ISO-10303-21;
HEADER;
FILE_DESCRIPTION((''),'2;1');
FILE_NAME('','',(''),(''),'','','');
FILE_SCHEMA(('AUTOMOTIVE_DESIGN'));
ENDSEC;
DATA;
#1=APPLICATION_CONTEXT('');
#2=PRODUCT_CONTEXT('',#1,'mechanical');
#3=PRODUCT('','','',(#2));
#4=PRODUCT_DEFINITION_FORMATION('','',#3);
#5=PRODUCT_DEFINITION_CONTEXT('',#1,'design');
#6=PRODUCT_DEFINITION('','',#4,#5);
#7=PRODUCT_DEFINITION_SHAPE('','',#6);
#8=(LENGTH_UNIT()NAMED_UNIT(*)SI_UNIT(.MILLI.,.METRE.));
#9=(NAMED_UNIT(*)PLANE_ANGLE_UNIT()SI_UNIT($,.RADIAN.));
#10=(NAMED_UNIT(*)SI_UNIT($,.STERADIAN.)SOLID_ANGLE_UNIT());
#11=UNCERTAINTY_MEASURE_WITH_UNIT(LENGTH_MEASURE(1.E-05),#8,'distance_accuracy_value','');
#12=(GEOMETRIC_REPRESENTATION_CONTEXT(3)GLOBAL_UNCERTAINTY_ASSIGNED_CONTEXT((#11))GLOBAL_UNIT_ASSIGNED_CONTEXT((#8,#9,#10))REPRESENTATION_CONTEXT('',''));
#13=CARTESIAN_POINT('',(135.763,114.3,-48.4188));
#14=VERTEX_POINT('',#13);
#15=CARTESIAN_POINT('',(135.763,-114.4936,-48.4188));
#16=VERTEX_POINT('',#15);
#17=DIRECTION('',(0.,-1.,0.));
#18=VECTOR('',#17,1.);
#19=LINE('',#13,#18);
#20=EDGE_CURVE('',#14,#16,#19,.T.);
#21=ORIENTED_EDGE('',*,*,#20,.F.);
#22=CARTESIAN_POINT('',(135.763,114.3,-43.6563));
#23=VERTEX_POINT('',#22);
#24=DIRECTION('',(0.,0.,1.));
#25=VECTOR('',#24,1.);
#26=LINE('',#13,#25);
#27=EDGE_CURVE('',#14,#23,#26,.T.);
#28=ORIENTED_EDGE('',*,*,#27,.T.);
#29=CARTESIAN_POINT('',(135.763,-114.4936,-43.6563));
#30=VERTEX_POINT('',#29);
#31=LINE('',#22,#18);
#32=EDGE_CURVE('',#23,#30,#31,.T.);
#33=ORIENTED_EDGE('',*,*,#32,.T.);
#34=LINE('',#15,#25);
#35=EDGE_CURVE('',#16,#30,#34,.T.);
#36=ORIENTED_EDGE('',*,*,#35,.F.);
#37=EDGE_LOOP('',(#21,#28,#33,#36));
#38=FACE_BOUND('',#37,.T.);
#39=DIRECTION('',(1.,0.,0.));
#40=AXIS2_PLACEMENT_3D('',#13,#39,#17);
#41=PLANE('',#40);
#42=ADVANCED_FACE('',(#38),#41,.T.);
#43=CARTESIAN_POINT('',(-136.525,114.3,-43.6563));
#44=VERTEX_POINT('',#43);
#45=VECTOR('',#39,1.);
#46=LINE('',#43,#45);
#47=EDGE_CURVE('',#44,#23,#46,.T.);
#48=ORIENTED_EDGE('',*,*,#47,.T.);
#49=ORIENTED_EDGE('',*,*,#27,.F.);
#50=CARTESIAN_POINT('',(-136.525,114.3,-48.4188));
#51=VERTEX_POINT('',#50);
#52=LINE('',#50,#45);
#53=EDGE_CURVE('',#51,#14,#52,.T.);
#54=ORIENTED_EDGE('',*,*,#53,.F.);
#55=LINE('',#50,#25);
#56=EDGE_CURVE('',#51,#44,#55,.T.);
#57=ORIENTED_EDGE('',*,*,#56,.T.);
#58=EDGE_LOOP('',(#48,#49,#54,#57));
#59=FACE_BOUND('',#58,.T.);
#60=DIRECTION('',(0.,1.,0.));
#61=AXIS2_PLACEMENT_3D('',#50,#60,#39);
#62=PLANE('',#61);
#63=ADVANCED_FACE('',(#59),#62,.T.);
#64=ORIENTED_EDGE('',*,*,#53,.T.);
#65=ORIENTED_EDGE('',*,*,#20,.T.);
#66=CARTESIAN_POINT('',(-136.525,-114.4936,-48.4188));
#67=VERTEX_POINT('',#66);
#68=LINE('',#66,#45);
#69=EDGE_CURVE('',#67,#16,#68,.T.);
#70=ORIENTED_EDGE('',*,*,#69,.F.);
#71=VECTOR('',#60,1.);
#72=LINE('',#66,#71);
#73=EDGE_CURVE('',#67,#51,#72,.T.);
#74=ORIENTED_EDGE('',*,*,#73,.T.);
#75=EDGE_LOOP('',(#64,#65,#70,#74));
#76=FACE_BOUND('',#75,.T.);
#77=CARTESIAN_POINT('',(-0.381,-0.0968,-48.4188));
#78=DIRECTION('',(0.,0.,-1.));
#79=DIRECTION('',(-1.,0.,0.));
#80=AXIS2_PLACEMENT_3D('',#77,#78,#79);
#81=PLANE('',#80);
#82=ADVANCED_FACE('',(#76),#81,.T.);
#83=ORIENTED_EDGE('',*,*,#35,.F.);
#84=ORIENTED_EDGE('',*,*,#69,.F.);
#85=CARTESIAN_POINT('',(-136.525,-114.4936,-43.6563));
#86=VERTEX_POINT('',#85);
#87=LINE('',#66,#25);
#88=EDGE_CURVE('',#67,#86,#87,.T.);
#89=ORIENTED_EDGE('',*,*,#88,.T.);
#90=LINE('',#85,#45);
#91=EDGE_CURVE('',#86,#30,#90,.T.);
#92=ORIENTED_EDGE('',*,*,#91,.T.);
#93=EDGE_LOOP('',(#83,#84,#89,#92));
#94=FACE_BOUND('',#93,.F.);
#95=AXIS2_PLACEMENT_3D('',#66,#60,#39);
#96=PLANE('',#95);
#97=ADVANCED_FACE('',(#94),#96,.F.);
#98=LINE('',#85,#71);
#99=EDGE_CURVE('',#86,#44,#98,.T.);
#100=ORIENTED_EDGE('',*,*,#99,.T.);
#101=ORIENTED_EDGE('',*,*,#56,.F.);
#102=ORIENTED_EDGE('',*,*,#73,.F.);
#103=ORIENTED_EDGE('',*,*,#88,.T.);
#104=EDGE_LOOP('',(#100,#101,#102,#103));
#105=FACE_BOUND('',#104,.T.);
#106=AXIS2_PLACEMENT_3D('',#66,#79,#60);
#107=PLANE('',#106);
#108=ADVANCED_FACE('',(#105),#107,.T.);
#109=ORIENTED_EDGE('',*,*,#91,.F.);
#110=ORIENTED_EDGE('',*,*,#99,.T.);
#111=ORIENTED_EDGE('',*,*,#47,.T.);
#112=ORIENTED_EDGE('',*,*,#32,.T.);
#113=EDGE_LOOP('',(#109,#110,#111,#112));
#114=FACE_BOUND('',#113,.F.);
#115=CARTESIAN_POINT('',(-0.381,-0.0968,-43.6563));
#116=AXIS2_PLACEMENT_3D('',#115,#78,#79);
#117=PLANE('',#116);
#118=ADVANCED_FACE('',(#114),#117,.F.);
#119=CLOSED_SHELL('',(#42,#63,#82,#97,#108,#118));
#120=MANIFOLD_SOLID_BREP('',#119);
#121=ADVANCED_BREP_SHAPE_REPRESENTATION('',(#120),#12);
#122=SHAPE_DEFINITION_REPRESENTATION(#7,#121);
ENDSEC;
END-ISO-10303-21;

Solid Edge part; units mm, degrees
sketch "Sketch1" plane through (25.4, 117.475, -48.4188) normal (0, 0, -1) x (1, 0, 0)
  line L0 (-161.925, 3.175) -> (110.363, 3.175)
  line L1 (110.363, 3.175) -> (110.363, 231.9686)
  line L2 (-161.925, 231.9686) -> (110.363, 231.9686)
  line L3 (-161.925, 231.9686) -> (-161.925, 3.175)
extrude "Protrusion1" add sketch "Sketch1" against normal blind 4.7625
